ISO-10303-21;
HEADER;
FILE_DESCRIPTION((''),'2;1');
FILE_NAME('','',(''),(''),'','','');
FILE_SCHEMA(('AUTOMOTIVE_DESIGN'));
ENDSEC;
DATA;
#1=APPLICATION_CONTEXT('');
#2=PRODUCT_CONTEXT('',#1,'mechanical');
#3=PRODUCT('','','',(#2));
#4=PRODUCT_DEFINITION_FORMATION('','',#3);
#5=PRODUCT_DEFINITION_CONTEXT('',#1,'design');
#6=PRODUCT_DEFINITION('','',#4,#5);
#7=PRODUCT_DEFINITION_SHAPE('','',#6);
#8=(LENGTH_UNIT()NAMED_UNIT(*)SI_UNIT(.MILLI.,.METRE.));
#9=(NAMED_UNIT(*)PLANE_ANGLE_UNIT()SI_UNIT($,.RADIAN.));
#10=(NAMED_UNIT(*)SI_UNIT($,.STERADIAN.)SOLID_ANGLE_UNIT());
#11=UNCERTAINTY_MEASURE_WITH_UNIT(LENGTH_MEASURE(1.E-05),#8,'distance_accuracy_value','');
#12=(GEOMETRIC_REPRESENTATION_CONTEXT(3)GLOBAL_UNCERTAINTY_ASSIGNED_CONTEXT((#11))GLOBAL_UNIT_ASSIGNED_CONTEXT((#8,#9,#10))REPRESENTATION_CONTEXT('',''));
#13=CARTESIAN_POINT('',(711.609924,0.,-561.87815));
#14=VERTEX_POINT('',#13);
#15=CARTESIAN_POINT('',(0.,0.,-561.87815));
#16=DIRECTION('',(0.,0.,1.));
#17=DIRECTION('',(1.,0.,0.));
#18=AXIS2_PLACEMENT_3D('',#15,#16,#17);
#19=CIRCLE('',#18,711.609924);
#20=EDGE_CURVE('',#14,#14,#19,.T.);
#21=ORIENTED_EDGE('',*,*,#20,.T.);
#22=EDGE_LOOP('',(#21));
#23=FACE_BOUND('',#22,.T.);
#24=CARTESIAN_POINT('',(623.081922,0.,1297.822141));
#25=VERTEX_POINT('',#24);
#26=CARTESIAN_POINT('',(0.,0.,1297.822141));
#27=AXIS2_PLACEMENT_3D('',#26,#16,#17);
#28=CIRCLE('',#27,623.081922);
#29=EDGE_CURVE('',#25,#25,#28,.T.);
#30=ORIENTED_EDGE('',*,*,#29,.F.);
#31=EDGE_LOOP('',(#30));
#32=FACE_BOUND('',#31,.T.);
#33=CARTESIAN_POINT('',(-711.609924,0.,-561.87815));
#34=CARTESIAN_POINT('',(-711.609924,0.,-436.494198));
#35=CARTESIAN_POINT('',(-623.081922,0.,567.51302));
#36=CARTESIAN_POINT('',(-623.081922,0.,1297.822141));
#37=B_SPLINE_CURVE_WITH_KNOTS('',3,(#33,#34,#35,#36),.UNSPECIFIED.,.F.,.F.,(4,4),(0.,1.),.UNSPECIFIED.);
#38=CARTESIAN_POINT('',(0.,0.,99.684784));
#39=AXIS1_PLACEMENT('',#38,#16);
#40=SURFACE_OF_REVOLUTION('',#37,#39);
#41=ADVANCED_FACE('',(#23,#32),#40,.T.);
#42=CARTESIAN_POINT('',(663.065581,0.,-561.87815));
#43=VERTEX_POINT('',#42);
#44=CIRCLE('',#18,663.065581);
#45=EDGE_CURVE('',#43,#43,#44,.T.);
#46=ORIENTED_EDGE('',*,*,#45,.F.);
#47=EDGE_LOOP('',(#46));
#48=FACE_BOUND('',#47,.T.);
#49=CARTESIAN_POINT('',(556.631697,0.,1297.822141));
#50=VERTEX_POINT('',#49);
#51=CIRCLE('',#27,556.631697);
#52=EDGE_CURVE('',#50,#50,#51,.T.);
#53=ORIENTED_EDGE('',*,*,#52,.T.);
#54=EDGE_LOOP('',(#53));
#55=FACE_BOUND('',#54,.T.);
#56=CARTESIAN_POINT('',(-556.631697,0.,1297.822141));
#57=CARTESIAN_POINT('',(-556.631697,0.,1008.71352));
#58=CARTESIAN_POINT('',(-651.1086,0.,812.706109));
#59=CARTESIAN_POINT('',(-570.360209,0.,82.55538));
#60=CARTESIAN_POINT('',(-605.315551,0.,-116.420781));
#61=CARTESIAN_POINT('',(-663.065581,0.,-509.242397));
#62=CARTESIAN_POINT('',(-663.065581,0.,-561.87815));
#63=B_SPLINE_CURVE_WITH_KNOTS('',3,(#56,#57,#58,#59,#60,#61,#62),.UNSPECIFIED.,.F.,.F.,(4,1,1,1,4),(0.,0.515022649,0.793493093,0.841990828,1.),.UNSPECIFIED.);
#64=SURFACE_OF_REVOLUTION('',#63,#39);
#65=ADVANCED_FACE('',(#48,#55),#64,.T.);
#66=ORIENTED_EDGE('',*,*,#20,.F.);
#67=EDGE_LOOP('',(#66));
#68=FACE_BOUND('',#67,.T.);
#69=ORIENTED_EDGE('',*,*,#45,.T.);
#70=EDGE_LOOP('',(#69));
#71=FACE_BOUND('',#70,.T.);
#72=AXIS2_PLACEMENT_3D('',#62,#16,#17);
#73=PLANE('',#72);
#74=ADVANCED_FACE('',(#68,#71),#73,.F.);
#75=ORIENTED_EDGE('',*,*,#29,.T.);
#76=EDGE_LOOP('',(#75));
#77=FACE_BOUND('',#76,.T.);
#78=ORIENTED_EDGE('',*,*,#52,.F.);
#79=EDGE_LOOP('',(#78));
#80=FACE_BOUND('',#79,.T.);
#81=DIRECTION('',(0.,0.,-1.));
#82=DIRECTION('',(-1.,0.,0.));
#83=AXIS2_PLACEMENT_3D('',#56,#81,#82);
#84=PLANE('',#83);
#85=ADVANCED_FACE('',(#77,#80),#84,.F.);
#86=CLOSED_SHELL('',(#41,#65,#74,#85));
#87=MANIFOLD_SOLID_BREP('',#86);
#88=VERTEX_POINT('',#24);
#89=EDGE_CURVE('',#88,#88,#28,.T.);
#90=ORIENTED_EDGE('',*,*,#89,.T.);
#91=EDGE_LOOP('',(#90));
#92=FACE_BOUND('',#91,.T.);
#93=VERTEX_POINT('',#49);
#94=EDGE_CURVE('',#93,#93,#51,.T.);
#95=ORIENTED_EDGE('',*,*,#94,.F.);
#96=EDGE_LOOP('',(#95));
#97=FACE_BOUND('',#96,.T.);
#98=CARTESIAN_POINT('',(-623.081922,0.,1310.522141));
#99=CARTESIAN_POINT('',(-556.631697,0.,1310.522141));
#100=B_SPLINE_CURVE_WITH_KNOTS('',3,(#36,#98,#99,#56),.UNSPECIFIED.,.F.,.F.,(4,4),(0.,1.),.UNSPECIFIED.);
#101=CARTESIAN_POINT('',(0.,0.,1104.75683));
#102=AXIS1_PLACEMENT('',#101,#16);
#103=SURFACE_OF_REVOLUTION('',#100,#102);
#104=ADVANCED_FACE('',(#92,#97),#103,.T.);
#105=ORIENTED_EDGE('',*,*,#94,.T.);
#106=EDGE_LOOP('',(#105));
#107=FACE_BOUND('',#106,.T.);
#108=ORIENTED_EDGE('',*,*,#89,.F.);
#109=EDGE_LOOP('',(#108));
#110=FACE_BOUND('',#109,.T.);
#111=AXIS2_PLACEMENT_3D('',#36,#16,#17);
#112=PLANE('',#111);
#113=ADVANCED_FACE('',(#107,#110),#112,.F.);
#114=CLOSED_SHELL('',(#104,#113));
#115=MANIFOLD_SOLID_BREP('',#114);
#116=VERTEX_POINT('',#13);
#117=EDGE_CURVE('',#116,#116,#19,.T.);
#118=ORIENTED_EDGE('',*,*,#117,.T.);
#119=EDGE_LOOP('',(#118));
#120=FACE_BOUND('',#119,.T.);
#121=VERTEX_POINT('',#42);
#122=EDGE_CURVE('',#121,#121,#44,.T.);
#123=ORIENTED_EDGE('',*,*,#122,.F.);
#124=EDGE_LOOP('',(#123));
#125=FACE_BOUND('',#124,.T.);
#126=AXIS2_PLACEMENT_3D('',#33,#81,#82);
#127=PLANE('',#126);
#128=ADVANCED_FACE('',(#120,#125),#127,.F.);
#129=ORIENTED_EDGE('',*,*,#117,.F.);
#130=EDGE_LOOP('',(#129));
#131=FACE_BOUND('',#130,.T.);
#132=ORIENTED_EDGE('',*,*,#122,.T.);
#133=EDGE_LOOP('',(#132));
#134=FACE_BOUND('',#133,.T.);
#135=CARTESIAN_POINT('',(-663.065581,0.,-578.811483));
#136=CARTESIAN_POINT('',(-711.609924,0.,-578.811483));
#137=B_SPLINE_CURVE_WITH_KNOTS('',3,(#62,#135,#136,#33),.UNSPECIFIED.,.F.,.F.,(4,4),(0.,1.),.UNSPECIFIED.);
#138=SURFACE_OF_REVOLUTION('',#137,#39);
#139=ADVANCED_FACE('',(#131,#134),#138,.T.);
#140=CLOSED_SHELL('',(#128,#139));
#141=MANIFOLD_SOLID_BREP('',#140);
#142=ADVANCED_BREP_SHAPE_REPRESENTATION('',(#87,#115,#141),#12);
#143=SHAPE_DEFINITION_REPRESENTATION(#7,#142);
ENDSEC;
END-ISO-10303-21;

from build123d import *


with BuildPart() as part:
    # Sketch21 → Revolve2 (revolve)
    with BuildSketch(Plane(origin=(0, 0, 0), x_dir=(1, 0, 0), z_dir=(0, 1, 0))):
        with BuildLine():
            Line((-556.631697094, -1297.822140602), (-623.081922495, -1297.822140602))
            add(Edge.make_bspline(
                [(-711.609923736, 561.878149911), (-711.609923736, 436.494197534), (-623.081922495, -567.513020217), (-623.081922495, -1297.822140602)],
                knots=[0, 0, 0, 0, 1, 1, 1, 1], degree=3))
            Line((-711.609923736, 561.878149911), (-663.065581116, 561.878149911))
            add(Edge.make_bspline(
                [(-663.065581116, 561.878149911), (-663.065581116, 509.242397389), (-605.315551479, 116.420781355), (-570.360209306, -82.555379778), (-651.10860042, -812.70610931), (-556.631697094, -1008.713519962), (-556.631697094, -1297.822140602)],
                knots=[0, 0, 0, 0, 0.158009172, 0.206506907, 0.484977351, 1, 1, 1, 1], degree=3))
        make_face()
    revolve(axis=Axis((0, 0, 99.684784321), (0, 0, -1)))


with BuildPart() as body_2:
    # Sketch22 → Revolve3 (revolve)
    with BuildSketch(Plane(origin=(0, 0, 0), x_dir=(1, 0, 0), z_dir=(0, 1, 0))):
        with BuildLine():
            Line((-711.609923736, 561.878149911), (-663.065581116, 561.878149911))
            add(Edge.make_bspline(
                [(-711.609923736, 561.878149911), (-711.609923736, 578.811483244), (-663.065581116, 578.811483244), (-663.065581116, 561.878149911)],
                knots=[0, 0, 0, 0, 1, 1, 1, 1], degree=3))
        make_face()
    revolve(axis=Axis((0, 0, 99.684784321), (0, 0, -1)))


with BuildPart() as body_3:
    # Sketch23 → Revolve4 (revolve)
    with BuildSketch(Plane(origin=(0, 0, 0), x_dir=(1, 0, 0), z_dir=(0, 1, 0))):
        with BuildLine():
            Line((-623.081922495, -1297.822140602), (-556.631697094, -1297.822140602))
            add(Edge.make_bspline(
                [(-623.081922495, -1297.822140602), (-623.081922495, -1310.522140602), (-556.631697094, -1310.522140602), (-556.631697094, -1297.822140602)],
                knots=[0, 0, 0, 0, 1, 1, 1, 1], degree=3))
        make_face()
    revolve(axis=Axis((0, 0, 1104.756830123), (0, 0, -1)))


solid = Compound([part.part, body_2.part, body_3.part])
